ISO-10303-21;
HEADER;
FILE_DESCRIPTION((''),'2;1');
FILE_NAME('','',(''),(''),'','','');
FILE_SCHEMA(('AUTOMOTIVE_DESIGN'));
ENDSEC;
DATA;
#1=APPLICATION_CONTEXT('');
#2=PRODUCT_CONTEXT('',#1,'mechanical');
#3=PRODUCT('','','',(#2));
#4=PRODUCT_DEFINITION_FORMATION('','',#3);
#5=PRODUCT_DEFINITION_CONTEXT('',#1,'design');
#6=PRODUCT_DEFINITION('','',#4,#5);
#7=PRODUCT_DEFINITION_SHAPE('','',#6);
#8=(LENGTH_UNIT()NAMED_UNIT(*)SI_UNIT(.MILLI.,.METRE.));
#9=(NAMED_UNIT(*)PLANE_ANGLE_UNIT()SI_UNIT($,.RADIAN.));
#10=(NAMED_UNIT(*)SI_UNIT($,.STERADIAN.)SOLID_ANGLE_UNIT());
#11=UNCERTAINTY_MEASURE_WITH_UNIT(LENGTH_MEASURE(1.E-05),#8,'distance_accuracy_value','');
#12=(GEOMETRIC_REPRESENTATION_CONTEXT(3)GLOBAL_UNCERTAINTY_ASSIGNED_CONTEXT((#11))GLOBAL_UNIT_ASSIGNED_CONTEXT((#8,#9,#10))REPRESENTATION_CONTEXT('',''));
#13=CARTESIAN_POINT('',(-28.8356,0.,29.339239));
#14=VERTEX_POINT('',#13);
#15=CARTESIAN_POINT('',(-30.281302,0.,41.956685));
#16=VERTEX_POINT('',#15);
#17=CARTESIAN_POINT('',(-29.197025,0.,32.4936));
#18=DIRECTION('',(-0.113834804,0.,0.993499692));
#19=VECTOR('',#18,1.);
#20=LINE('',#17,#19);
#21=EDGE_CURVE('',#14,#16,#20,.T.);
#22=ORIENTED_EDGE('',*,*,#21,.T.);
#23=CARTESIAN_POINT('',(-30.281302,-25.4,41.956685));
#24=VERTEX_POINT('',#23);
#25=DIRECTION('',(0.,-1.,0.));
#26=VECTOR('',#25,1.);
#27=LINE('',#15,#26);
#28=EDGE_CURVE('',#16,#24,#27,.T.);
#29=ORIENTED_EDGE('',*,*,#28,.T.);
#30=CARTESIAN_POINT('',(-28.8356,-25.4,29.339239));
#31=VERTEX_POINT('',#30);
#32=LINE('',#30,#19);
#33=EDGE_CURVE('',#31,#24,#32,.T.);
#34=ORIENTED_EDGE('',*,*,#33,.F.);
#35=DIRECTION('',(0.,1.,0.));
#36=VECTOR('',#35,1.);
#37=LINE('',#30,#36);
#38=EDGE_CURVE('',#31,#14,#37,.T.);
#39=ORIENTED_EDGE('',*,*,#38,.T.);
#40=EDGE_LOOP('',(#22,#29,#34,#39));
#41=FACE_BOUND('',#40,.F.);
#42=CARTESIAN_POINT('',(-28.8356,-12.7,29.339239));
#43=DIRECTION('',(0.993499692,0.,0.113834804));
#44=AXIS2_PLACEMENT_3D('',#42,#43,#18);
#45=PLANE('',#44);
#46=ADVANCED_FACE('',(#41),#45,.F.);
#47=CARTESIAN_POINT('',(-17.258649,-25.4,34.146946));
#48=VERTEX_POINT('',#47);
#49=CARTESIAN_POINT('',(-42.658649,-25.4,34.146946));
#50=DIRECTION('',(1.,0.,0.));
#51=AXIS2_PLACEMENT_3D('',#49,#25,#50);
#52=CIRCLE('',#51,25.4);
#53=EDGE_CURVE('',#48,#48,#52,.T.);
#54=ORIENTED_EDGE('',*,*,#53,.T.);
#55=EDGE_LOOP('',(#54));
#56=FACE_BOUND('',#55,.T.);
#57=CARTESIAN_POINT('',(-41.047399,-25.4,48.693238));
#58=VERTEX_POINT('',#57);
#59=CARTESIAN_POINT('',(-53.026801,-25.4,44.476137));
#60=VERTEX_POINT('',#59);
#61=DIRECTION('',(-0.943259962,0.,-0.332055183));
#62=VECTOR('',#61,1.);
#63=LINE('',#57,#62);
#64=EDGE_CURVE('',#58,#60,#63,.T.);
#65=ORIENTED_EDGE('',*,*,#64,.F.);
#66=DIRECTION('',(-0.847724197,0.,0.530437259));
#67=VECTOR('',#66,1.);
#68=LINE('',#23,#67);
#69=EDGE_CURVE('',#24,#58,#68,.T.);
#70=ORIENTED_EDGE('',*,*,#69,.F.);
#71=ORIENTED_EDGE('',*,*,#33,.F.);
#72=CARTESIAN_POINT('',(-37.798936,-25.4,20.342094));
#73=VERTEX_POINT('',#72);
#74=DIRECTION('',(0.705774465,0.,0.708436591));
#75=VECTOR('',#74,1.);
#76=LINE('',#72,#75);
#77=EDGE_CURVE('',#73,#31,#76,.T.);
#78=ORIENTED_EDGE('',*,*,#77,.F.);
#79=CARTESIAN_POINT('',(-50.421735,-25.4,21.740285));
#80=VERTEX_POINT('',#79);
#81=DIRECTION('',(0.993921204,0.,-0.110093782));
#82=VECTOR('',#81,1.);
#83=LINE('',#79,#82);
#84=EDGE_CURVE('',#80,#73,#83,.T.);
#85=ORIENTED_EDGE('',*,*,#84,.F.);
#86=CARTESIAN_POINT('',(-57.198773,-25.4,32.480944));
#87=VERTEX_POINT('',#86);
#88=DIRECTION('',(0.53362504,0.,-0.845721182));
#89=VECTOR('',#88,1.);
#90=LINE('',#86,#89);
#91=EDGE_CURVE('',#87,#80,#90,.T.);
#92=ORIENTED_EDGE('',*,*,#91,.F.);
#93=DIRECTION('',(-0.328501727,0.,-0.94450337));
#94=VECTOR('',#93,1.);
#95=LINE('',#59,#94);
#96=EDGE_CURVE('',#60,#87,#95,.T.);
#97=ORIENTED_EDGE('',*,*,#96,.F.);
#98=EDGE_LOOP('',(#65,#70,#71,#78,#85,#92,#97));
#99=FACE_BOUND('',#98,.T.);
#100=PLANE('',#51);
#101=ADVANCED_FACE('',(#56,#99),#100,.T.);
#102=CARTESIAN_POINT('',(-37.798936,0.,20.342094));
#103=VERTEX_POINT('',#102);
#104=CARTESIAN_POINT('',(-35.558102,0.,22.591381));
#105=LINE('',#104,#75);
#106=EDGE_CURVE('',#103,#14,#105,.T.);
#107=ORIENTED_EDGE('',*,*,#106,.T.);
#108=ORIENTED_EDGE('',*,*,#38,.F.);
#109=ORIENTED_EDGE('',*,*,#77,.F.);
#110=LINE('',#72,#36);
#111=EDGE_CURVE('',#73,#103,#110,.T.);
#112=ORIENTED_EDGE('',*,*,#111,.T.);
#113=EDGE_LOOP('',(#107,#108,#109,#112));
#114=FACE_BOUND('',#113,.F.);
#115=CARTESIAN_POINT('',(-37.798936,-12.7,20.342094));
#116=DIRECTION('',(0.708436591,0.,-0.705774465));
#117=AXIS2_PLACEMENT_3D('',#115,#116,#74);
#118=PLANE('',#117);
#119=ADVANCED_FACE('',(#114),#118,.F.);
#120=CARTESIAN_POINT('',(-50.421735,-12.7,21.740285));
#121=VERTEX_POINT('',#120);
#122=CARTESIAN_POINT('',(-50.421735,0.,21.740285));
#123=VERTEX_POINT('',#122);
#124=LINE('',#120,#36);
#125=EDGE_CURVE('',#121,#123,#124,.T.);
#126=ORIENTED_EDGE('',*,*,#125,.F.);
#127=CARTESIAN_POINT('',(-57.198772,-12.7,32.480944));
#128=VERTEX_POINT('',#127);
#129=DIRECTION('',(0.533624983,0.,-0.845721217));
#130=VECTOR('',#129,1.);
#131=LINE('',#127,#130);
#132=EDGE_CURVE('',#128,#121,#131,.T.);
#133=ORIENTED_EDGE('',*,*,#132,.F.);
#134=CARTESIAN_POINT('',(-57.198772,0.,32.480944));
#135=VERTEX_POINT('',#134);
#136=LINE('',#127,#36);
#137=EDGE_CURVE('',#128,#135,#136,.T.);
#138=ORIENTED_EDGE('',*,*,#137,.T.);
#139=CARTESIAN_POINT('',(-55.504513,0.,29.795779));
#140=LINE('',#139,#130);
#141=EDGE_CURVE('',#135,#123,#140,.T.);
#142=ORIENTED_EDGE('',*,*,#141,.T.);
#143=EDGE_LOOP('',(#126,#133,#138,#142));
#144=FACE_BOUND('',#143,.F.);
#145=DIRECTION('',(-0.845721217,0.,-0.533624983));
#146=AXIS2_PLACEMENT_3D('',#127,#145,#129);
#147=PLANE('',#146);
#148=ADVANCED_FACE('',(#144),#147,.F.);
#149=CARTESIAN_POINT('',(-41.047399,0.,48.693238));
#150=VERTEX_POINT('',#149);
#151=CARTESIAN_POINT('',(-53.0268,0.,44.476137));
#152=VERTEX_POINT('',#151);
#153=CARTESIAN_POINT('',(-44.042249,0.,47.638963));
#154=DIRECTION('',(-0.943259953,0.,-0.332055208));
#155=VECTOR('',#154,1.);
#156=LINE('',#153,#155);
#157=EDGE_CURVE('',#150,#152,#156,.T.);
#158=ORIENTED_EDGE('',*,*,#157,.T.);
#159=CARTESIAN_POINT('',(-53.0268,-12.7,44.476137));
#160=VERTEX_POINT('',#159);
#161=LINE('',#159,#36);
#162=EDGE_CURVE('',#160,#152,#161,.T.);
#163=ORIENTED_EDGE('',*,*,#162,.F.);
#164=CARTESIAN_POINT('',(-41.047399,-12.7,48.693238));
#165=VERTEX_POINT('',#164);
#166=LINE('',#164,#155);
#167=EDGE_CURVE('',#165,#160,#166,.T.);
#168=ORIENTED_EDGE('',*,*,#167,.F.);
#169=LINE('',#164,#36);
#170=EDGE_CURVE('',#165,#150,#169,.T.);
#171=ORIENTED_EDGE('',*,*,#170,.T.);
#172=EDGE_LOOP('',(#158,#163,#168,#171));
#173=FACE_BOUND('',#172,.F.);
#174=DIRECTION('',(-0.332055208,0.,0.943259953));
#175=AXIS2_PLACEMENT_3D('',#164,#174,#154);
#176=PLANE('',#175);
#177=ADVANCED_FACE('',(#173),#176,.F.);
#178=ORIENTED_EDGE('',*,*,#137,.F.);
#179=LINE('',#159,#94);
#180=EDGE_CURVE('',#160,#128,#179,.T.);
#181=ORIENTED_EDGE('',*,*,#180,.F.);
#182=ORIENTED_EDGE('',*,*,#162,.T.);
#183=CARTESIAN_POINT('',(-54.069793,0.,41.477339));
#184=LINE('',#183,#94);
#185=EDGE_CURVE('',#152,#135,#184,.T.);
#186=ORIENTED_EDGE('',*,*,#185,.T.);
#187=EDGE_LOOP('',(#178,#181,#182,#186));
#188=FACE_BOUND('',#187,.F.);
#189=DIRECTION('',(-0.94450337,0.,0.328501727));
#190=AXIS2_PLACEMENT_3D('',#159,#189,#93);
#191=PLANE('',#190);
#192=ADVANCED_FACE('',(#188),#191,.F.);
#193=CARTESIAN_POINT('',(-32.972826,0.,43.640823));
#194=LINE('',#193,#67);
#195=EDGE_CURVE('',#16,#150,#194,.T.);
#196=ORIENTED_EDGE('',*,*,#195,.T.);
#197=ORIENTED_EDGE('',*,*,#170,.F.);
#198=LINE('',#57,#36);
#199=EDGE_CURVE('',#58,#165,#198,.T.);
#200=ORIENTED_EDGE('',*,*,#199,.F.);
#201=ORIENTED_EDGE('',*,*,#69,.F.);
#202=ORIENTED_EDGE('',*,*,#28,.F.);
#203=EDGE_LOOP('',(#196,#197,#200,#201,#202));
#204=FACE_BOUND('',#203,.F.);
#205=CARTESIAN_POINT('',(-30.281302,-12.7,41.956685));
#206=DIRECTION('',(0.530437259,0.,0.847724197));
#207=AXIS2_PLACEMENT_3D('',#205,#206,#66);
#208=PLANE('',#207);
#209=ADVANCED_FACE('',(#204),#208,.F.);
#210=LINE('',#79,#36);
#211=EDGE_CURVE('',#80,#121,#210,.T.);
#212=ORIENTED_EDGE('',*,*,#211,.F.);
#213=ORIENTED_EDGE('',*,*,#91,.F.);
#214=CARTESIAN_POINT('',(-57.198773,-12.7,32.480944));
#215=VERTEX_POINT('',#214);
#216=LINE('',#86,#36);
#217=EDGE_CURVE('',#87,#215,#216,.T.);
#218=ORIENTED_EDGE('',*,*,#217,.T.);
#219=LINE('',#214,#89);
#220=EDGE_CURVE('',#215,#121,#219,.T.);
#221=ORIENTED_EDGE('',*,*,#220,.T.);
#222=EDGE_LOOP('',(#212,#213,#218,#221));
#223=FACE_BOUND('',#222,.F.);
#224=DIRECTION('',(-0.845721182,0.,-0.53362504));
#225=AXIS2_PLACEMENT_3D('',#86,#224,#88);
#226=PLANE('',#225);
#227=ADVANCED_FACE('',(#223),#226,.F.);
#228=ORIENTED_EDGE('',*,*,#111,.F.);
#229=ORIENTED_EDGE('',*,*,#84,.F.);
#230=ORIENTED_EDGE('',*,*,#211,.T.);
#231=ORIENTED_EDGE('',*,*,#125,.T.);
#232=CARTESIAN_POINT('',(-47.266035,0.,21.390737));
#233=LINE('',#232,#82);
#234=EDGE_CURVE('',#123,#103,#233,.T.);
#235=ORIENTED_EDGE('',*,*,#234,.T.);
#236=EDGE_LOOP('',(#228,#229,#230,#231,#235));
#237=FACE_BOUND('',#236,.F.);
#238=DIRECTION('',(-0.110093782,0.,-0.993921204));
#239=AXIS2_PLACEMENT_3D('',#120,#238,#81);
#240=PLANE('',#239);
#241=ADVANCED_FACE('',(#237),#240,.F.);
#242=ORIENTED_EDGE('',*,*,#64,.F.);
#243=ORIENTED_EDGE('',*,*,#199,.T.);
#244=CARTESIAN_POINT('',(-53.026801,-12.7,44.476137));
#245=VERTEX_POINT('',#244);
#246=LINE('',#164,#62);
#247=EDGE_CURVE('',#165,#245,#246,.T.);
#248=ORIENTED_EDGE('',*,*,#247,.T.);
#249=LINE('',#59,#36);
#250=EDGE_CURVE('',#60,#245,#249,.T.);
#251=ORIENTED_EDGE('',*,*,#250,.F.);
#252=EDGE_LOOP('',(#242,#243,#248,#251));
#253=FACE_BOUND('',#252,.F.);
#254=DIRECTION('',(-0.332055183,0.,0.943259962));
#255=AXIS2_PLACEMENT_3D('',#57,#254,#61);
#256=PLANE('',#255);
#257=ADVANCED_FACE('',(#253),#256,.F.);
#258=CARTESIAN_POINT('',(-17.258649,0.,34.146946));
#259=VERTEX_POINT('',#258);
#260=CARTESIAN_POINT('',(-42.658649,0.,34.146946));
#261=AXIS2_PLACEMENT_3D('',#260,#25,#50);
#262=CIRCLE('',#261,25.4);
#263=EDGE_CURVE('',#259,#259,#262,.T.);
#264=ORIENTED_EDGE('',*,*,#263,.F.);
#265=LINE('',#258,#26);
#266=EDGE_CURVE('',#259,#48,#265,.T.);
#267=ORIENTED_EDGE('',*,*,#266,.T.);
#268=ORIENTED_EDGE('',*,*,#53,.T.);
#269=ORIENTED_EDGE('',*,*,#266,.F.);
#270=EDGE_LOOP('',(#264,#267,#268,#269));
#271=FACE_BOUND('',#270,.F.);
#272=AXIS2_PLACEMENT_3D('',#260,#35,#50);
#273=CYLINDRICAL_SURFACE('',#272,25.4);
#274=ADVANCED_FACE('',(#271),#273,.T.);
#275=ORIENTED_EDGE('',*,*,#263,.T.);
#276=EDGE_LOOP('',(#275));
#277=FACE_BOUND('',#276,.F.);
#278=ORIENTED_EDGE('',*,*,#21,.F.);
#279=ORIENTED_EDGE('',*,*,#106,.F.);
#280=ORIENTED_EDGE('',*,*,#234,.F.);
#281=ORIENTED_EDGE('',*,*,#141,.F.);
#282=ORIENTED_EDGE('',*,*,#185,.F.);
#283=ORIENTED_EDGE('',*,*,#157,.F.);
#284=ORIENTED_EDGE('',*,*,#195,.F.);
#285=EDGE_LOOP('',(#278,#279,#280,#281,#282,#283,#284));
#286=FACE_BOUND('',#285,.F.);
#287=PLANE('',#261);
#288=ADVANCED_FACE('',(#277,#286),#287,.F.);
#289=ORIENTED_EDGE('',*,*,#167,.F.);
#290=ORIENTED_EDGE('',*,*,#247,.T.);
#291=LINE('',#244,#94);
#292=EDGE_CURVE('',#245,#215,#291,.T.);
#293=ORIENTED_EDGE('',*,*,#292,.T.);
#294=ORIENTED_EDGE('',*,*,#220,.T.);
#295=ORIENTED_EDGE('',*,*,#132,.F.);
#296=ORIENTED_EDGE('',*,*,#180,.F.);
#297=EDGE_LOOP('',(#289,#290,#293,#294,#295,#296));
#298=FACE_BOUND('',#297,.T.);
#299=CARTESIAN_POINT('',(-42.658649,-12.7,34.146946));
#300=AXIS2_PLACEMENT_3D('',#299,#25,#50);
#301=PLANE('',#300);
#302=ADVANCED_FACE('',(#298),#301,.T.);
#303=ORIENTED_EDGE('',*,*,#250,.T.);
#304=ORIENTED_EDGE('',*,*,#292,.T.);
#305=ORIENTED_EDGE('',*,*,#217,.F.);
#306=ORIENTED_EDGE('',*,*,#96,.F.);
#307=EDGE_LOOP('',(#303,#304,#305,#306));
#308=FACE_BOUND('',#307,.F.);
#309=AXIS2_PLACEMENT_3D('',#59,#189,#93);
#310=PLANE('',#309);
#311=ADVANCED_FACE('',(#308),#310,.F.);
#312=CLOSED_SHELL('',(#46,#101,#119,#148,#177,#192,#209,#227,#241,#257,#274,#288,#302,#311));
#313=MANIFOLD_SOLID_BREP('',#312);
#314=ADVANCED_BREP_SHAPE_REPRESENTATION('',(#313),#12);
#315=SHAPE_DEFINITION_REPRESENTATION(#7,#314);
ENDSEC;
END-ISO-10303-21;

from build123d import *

# Parameters (mm, degrees)
F0_R     = 25.4
F1_DEPTH = 25.4
F3_DEPTH = 12.7
F4_DEPTH = 50.8


with BuildPart() as f1:
    # F0 (on Front) → F1 (new body)
    with BuildSketch(Plane.XZ):
        with Locations((-42.658649, 34.146946)):
            Circle(F0_R)
    extrude(amount=F1_DEPTH)

    # F2 (on face) → F3 (cut)
    with BuildSketch(Plane.XZ.offset(25.4)):
        Polygon((-53.026801, 44.476137), (-57.198773, 32.480944), (-50.421735, 21.740285), (-37.798936, 20.342094), (-28.8356, 29.339239), (-30.281302, 41.956685), (-41.047399, 48.693238), align=None)
    extrude(amount=-F3_DEPTH, mode=Mode.SUBTRACT)

    # F3_face (on face) → F4 (cut)
    with BuildSketch(Plane(origin=(-42.658649, -12.7, 34.146946), x_dir=(1, 0, 0), z_dir=(0, -1, 0))):
        Polygon((12.377347, 7.809739), (1.61125, 14.546292), (-10.368151, 10.329191), (-14.540123, -1.666002), (-7.763086, -12.406661), (4.859713, -13.804852), (13.823049, -4.807707), align=None)
    extrude(amount=-F4_DEPTH, mode=Mode.SUBTRACT)


solid = f1.part
